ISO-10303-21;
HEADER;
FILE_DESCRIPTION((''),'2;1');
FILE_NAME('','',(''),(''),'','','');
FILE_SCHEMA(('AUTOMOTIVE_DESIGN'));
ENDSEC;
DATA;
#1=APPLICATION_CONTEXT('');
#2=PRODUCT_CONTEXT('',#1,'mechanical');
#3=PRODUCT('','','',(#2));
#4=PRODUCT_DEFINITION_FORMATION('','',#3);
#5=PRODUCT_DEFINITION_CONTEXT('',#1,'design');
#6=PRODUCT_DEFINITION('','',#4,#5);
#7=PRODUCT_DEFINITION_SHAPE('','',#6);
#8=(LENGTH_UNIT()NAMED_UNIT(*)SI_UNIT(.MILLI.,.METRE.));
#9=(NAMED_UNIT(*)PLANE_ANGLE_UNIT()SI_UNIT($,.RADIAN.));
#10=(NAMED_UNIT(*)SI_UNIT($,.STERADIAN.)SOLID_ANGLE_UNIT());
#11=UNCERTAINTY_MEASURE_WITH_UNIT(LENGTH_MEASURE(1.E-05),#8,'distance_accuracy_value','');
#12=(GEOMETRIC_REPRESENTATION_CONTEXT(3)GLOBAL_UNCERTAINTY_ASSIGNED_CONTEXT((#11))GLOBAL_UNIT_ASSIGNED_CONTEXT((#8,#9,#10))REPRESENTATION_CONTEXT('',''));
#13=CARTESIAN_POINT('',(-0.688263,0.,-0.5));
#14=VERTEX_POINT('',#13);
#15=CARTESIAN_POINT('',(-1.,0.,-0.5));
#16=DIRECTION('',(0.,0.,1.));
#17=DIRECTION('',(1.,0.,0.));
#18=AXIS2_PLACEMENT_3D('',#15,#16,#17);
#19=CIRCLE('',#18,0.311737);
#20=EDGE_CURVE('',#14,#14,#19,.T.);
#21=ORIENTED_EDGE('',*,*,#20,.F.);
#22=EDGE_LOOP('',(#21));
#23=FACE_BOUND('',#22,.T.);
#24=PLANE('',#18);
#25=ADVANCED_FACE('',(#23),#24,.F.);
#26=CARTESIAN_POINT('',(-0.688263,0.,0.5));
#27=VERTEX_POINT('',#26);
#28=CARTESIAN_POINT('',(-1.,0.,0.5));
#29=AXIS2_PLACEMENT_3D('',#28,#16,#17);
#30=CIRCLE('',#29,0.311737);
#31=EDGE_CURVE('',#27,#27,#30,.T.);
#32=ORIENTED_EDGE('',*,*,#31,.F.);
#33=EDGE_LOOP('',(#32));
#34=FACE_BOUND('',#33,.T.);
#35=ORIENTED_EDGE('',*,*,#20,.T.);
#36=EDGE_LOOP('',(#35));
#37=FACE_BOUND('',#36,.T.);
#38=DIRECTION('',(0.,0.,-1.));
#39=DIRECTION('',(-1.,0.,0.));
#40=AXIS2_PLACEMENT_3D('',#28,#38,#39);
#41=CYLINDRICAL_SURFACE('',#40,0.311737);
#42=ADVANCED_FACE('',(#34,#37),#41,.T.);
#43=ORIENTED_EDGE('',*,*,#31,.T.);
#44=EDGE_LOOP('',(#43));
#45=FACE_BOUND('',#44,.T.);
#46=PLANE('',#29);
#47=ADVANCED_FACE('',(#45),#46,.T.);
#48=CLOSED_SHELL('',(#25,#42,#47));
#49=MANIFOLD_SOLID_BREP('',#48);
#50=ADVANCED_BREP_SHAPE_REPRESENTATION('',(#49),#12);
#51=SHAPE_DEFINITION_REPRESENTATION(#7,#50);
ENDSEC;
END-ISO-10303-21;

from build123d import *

# Parameters (mm, degrees)
SKETCH_1_R      = 0.311736685
EXTRUDE_1_DEPTH = 0.5


with BuildPart() as part:
    # 草图1 → 凸台-拉伸1 (new, symmetric)
    with BuildSketch(Plane.XY):
        with Locations((-1, 0)):
            Circle(SKETCH_1_R)
    extrude(amount=EXTRUDE_1_DEPTH, both=True)


solid = part.part
